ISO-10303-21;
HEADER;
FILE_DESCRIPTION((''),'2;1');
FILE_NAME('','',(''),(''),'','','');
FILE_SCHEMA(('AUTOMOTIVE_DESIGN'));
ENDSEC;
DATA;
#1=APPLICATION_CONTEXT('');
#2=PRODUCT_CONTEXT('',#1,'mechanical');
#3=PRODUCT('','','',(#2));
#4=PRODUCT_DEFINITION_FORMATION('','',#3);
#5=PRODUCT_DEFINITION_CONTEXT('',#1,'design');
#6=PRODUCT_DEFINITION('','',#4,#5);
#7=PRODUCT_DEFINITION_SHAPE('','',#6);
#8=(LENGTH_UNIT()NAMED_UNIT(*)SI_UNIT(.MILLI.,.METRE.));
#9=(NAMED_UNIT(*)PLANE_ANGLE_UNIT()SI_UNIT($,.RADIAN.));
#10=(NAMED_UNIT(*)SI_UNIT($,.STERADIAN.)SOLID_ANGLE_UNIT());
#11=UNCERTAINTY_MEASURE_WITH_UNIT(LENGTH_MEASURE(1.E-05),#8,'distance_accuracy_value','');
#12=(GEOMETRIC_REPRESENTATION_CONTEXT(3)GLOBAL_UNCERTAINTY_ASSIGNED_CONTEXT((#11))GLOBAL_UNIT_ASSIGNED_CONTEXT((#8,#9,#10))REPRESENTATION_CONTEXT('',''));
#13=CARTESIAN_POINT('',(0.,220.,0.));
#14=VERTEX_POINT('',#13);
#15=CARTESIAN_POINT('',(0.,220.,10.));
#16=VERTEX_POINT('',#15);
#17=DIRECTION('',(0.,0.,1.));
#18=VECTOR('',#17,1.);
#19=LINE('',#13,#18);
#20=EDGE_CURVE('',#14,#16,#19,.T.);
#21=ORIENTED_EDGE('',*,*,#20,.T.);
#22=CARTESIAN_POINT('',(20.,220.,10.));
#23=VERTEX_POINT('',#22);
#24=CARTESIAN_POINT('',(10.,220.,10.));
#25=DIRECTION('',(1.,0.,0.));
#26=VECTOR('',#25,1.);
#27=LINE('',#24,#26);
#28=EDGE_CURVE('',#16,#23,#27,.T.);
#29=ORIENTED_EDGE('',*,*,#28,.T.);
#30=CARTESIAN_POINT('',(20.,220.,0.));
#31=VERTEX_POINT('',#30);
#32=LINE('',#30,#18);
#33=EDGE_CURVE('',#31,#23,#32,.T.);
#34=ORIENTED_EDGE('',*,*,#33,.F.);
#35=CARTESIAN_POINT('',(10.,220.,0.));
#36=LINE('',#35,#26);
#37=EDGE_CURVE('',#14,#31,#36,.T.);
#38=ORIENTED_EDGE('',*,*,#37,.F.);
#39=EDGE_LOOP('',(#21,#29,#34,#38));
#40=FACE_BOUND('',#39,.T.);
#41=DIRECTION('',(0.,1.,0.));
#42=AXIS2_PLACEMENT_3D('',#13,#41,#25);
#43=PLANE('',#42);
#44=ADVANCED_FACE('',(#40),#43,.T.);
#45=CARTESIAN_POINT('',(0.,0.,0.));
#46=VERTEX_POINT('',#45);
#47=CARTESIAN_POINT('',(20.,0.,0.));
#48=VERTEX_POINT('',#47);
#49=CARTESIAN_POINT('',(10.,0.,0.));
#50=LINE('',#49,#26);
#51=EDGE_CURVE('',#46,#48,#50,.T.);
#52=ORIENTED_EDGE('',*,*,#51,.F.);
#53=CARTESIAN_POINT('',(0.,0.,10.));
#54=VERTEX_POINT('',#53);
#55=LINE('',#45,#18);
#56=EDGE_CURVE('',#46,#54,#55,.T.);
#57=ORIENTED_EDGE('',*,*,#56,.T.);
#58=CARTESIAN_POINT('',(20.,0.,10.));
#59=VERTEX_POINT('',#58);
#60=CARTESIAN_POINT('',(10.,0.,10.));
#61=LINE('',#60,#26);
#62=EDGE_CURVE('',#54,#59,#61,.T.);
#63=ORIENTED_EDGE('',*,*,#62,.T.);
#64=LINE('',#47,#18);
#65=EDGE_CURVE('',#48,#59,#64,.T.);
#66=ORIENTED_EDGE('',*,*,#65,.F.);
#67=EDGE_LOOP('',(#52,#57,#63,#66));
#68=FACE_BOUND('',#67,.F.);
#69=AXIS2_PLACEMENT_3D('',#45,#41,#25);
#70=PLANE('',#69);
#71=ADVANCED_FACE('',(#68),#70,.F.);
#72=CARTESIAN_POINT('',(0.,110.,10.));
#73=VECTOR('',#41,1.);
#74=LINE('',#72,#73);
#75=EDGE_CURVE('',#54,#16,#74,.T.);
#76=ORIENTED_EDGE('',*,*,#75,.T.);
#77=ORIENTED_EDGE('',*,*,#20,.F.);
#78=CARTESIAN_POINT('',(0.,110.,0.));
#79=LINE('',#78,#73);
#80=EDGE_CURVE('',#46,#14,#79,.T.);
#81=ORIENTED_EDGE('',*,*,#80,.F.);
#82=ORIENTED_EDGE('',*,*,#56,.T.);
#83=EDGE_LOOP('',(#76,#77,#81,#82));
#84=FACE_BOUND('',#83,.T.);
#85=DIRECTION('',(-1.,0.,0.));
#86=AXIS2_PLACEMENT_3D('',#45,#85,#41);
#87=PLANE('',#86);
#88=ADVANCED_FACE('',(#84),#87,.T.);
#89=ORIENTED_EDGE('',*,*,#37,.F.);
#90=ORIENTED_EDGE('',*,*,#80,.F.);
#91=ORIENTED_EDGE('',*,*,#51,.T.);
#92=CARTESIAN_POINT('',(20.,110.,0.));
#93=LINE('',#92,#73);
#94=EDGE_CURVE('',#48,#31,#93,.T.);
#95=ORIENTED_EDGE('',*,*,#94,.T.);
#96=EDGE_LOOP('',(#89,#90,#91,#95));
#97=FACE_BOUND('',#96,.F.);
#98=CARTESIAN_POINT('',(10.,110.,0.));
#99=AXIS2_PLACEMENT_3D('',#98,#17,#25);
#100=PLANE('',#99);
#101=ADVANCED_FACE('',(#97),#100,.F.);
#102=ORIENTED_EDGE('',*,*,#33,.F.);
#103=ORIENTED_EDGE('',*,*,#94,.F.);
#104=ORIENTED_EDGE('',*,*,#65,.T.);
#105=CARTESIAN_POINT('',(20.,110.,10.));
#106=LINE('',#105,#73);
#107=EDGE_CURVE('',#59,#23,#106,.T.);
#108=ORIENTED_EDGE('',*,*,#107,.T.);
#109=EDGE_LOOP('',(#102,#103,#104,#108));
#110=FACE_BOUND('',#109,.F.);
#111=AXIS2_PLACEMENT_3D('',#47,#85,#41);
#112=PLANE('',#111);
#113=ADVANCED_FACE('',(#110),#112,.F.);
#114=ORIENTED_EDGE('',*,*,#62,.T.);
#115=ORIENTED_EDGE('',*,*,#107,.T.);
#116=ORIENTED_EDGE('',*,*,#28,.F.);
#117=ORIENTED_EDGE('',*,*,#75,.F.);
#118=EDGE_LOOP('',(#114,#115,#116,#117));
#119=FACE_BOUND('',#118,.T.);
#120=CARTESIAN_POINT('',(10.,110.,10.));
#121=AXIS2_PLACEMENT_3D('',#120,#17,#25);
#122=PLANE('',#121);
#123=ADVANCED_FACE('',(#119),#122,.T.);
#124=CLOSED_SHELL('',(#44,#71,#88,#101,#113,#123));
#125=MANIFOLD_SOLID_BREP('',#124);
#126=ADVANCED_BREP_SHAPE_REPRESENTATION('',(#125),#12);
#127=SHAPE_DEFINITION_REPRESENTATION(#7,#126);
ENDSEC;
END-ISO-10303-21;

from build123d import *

# Parameters (mm, degrees)
SKETCH1_W           = 20
SKETCH1_H           = 220
BOSS_EXTRUDE1_DEPTH = 10


with BuildPart() as part:
    # Sketch1 → Boss-Extrude1 (new body)
    with BuildSketch(Plane.XY):
        with Locations((10, 110)):
            Rectangle(SKETCH1_W, SKETCH1_H)
    extrude(amount=BOSS_EXTRUDE1_DEPTH)


solid = part.part
